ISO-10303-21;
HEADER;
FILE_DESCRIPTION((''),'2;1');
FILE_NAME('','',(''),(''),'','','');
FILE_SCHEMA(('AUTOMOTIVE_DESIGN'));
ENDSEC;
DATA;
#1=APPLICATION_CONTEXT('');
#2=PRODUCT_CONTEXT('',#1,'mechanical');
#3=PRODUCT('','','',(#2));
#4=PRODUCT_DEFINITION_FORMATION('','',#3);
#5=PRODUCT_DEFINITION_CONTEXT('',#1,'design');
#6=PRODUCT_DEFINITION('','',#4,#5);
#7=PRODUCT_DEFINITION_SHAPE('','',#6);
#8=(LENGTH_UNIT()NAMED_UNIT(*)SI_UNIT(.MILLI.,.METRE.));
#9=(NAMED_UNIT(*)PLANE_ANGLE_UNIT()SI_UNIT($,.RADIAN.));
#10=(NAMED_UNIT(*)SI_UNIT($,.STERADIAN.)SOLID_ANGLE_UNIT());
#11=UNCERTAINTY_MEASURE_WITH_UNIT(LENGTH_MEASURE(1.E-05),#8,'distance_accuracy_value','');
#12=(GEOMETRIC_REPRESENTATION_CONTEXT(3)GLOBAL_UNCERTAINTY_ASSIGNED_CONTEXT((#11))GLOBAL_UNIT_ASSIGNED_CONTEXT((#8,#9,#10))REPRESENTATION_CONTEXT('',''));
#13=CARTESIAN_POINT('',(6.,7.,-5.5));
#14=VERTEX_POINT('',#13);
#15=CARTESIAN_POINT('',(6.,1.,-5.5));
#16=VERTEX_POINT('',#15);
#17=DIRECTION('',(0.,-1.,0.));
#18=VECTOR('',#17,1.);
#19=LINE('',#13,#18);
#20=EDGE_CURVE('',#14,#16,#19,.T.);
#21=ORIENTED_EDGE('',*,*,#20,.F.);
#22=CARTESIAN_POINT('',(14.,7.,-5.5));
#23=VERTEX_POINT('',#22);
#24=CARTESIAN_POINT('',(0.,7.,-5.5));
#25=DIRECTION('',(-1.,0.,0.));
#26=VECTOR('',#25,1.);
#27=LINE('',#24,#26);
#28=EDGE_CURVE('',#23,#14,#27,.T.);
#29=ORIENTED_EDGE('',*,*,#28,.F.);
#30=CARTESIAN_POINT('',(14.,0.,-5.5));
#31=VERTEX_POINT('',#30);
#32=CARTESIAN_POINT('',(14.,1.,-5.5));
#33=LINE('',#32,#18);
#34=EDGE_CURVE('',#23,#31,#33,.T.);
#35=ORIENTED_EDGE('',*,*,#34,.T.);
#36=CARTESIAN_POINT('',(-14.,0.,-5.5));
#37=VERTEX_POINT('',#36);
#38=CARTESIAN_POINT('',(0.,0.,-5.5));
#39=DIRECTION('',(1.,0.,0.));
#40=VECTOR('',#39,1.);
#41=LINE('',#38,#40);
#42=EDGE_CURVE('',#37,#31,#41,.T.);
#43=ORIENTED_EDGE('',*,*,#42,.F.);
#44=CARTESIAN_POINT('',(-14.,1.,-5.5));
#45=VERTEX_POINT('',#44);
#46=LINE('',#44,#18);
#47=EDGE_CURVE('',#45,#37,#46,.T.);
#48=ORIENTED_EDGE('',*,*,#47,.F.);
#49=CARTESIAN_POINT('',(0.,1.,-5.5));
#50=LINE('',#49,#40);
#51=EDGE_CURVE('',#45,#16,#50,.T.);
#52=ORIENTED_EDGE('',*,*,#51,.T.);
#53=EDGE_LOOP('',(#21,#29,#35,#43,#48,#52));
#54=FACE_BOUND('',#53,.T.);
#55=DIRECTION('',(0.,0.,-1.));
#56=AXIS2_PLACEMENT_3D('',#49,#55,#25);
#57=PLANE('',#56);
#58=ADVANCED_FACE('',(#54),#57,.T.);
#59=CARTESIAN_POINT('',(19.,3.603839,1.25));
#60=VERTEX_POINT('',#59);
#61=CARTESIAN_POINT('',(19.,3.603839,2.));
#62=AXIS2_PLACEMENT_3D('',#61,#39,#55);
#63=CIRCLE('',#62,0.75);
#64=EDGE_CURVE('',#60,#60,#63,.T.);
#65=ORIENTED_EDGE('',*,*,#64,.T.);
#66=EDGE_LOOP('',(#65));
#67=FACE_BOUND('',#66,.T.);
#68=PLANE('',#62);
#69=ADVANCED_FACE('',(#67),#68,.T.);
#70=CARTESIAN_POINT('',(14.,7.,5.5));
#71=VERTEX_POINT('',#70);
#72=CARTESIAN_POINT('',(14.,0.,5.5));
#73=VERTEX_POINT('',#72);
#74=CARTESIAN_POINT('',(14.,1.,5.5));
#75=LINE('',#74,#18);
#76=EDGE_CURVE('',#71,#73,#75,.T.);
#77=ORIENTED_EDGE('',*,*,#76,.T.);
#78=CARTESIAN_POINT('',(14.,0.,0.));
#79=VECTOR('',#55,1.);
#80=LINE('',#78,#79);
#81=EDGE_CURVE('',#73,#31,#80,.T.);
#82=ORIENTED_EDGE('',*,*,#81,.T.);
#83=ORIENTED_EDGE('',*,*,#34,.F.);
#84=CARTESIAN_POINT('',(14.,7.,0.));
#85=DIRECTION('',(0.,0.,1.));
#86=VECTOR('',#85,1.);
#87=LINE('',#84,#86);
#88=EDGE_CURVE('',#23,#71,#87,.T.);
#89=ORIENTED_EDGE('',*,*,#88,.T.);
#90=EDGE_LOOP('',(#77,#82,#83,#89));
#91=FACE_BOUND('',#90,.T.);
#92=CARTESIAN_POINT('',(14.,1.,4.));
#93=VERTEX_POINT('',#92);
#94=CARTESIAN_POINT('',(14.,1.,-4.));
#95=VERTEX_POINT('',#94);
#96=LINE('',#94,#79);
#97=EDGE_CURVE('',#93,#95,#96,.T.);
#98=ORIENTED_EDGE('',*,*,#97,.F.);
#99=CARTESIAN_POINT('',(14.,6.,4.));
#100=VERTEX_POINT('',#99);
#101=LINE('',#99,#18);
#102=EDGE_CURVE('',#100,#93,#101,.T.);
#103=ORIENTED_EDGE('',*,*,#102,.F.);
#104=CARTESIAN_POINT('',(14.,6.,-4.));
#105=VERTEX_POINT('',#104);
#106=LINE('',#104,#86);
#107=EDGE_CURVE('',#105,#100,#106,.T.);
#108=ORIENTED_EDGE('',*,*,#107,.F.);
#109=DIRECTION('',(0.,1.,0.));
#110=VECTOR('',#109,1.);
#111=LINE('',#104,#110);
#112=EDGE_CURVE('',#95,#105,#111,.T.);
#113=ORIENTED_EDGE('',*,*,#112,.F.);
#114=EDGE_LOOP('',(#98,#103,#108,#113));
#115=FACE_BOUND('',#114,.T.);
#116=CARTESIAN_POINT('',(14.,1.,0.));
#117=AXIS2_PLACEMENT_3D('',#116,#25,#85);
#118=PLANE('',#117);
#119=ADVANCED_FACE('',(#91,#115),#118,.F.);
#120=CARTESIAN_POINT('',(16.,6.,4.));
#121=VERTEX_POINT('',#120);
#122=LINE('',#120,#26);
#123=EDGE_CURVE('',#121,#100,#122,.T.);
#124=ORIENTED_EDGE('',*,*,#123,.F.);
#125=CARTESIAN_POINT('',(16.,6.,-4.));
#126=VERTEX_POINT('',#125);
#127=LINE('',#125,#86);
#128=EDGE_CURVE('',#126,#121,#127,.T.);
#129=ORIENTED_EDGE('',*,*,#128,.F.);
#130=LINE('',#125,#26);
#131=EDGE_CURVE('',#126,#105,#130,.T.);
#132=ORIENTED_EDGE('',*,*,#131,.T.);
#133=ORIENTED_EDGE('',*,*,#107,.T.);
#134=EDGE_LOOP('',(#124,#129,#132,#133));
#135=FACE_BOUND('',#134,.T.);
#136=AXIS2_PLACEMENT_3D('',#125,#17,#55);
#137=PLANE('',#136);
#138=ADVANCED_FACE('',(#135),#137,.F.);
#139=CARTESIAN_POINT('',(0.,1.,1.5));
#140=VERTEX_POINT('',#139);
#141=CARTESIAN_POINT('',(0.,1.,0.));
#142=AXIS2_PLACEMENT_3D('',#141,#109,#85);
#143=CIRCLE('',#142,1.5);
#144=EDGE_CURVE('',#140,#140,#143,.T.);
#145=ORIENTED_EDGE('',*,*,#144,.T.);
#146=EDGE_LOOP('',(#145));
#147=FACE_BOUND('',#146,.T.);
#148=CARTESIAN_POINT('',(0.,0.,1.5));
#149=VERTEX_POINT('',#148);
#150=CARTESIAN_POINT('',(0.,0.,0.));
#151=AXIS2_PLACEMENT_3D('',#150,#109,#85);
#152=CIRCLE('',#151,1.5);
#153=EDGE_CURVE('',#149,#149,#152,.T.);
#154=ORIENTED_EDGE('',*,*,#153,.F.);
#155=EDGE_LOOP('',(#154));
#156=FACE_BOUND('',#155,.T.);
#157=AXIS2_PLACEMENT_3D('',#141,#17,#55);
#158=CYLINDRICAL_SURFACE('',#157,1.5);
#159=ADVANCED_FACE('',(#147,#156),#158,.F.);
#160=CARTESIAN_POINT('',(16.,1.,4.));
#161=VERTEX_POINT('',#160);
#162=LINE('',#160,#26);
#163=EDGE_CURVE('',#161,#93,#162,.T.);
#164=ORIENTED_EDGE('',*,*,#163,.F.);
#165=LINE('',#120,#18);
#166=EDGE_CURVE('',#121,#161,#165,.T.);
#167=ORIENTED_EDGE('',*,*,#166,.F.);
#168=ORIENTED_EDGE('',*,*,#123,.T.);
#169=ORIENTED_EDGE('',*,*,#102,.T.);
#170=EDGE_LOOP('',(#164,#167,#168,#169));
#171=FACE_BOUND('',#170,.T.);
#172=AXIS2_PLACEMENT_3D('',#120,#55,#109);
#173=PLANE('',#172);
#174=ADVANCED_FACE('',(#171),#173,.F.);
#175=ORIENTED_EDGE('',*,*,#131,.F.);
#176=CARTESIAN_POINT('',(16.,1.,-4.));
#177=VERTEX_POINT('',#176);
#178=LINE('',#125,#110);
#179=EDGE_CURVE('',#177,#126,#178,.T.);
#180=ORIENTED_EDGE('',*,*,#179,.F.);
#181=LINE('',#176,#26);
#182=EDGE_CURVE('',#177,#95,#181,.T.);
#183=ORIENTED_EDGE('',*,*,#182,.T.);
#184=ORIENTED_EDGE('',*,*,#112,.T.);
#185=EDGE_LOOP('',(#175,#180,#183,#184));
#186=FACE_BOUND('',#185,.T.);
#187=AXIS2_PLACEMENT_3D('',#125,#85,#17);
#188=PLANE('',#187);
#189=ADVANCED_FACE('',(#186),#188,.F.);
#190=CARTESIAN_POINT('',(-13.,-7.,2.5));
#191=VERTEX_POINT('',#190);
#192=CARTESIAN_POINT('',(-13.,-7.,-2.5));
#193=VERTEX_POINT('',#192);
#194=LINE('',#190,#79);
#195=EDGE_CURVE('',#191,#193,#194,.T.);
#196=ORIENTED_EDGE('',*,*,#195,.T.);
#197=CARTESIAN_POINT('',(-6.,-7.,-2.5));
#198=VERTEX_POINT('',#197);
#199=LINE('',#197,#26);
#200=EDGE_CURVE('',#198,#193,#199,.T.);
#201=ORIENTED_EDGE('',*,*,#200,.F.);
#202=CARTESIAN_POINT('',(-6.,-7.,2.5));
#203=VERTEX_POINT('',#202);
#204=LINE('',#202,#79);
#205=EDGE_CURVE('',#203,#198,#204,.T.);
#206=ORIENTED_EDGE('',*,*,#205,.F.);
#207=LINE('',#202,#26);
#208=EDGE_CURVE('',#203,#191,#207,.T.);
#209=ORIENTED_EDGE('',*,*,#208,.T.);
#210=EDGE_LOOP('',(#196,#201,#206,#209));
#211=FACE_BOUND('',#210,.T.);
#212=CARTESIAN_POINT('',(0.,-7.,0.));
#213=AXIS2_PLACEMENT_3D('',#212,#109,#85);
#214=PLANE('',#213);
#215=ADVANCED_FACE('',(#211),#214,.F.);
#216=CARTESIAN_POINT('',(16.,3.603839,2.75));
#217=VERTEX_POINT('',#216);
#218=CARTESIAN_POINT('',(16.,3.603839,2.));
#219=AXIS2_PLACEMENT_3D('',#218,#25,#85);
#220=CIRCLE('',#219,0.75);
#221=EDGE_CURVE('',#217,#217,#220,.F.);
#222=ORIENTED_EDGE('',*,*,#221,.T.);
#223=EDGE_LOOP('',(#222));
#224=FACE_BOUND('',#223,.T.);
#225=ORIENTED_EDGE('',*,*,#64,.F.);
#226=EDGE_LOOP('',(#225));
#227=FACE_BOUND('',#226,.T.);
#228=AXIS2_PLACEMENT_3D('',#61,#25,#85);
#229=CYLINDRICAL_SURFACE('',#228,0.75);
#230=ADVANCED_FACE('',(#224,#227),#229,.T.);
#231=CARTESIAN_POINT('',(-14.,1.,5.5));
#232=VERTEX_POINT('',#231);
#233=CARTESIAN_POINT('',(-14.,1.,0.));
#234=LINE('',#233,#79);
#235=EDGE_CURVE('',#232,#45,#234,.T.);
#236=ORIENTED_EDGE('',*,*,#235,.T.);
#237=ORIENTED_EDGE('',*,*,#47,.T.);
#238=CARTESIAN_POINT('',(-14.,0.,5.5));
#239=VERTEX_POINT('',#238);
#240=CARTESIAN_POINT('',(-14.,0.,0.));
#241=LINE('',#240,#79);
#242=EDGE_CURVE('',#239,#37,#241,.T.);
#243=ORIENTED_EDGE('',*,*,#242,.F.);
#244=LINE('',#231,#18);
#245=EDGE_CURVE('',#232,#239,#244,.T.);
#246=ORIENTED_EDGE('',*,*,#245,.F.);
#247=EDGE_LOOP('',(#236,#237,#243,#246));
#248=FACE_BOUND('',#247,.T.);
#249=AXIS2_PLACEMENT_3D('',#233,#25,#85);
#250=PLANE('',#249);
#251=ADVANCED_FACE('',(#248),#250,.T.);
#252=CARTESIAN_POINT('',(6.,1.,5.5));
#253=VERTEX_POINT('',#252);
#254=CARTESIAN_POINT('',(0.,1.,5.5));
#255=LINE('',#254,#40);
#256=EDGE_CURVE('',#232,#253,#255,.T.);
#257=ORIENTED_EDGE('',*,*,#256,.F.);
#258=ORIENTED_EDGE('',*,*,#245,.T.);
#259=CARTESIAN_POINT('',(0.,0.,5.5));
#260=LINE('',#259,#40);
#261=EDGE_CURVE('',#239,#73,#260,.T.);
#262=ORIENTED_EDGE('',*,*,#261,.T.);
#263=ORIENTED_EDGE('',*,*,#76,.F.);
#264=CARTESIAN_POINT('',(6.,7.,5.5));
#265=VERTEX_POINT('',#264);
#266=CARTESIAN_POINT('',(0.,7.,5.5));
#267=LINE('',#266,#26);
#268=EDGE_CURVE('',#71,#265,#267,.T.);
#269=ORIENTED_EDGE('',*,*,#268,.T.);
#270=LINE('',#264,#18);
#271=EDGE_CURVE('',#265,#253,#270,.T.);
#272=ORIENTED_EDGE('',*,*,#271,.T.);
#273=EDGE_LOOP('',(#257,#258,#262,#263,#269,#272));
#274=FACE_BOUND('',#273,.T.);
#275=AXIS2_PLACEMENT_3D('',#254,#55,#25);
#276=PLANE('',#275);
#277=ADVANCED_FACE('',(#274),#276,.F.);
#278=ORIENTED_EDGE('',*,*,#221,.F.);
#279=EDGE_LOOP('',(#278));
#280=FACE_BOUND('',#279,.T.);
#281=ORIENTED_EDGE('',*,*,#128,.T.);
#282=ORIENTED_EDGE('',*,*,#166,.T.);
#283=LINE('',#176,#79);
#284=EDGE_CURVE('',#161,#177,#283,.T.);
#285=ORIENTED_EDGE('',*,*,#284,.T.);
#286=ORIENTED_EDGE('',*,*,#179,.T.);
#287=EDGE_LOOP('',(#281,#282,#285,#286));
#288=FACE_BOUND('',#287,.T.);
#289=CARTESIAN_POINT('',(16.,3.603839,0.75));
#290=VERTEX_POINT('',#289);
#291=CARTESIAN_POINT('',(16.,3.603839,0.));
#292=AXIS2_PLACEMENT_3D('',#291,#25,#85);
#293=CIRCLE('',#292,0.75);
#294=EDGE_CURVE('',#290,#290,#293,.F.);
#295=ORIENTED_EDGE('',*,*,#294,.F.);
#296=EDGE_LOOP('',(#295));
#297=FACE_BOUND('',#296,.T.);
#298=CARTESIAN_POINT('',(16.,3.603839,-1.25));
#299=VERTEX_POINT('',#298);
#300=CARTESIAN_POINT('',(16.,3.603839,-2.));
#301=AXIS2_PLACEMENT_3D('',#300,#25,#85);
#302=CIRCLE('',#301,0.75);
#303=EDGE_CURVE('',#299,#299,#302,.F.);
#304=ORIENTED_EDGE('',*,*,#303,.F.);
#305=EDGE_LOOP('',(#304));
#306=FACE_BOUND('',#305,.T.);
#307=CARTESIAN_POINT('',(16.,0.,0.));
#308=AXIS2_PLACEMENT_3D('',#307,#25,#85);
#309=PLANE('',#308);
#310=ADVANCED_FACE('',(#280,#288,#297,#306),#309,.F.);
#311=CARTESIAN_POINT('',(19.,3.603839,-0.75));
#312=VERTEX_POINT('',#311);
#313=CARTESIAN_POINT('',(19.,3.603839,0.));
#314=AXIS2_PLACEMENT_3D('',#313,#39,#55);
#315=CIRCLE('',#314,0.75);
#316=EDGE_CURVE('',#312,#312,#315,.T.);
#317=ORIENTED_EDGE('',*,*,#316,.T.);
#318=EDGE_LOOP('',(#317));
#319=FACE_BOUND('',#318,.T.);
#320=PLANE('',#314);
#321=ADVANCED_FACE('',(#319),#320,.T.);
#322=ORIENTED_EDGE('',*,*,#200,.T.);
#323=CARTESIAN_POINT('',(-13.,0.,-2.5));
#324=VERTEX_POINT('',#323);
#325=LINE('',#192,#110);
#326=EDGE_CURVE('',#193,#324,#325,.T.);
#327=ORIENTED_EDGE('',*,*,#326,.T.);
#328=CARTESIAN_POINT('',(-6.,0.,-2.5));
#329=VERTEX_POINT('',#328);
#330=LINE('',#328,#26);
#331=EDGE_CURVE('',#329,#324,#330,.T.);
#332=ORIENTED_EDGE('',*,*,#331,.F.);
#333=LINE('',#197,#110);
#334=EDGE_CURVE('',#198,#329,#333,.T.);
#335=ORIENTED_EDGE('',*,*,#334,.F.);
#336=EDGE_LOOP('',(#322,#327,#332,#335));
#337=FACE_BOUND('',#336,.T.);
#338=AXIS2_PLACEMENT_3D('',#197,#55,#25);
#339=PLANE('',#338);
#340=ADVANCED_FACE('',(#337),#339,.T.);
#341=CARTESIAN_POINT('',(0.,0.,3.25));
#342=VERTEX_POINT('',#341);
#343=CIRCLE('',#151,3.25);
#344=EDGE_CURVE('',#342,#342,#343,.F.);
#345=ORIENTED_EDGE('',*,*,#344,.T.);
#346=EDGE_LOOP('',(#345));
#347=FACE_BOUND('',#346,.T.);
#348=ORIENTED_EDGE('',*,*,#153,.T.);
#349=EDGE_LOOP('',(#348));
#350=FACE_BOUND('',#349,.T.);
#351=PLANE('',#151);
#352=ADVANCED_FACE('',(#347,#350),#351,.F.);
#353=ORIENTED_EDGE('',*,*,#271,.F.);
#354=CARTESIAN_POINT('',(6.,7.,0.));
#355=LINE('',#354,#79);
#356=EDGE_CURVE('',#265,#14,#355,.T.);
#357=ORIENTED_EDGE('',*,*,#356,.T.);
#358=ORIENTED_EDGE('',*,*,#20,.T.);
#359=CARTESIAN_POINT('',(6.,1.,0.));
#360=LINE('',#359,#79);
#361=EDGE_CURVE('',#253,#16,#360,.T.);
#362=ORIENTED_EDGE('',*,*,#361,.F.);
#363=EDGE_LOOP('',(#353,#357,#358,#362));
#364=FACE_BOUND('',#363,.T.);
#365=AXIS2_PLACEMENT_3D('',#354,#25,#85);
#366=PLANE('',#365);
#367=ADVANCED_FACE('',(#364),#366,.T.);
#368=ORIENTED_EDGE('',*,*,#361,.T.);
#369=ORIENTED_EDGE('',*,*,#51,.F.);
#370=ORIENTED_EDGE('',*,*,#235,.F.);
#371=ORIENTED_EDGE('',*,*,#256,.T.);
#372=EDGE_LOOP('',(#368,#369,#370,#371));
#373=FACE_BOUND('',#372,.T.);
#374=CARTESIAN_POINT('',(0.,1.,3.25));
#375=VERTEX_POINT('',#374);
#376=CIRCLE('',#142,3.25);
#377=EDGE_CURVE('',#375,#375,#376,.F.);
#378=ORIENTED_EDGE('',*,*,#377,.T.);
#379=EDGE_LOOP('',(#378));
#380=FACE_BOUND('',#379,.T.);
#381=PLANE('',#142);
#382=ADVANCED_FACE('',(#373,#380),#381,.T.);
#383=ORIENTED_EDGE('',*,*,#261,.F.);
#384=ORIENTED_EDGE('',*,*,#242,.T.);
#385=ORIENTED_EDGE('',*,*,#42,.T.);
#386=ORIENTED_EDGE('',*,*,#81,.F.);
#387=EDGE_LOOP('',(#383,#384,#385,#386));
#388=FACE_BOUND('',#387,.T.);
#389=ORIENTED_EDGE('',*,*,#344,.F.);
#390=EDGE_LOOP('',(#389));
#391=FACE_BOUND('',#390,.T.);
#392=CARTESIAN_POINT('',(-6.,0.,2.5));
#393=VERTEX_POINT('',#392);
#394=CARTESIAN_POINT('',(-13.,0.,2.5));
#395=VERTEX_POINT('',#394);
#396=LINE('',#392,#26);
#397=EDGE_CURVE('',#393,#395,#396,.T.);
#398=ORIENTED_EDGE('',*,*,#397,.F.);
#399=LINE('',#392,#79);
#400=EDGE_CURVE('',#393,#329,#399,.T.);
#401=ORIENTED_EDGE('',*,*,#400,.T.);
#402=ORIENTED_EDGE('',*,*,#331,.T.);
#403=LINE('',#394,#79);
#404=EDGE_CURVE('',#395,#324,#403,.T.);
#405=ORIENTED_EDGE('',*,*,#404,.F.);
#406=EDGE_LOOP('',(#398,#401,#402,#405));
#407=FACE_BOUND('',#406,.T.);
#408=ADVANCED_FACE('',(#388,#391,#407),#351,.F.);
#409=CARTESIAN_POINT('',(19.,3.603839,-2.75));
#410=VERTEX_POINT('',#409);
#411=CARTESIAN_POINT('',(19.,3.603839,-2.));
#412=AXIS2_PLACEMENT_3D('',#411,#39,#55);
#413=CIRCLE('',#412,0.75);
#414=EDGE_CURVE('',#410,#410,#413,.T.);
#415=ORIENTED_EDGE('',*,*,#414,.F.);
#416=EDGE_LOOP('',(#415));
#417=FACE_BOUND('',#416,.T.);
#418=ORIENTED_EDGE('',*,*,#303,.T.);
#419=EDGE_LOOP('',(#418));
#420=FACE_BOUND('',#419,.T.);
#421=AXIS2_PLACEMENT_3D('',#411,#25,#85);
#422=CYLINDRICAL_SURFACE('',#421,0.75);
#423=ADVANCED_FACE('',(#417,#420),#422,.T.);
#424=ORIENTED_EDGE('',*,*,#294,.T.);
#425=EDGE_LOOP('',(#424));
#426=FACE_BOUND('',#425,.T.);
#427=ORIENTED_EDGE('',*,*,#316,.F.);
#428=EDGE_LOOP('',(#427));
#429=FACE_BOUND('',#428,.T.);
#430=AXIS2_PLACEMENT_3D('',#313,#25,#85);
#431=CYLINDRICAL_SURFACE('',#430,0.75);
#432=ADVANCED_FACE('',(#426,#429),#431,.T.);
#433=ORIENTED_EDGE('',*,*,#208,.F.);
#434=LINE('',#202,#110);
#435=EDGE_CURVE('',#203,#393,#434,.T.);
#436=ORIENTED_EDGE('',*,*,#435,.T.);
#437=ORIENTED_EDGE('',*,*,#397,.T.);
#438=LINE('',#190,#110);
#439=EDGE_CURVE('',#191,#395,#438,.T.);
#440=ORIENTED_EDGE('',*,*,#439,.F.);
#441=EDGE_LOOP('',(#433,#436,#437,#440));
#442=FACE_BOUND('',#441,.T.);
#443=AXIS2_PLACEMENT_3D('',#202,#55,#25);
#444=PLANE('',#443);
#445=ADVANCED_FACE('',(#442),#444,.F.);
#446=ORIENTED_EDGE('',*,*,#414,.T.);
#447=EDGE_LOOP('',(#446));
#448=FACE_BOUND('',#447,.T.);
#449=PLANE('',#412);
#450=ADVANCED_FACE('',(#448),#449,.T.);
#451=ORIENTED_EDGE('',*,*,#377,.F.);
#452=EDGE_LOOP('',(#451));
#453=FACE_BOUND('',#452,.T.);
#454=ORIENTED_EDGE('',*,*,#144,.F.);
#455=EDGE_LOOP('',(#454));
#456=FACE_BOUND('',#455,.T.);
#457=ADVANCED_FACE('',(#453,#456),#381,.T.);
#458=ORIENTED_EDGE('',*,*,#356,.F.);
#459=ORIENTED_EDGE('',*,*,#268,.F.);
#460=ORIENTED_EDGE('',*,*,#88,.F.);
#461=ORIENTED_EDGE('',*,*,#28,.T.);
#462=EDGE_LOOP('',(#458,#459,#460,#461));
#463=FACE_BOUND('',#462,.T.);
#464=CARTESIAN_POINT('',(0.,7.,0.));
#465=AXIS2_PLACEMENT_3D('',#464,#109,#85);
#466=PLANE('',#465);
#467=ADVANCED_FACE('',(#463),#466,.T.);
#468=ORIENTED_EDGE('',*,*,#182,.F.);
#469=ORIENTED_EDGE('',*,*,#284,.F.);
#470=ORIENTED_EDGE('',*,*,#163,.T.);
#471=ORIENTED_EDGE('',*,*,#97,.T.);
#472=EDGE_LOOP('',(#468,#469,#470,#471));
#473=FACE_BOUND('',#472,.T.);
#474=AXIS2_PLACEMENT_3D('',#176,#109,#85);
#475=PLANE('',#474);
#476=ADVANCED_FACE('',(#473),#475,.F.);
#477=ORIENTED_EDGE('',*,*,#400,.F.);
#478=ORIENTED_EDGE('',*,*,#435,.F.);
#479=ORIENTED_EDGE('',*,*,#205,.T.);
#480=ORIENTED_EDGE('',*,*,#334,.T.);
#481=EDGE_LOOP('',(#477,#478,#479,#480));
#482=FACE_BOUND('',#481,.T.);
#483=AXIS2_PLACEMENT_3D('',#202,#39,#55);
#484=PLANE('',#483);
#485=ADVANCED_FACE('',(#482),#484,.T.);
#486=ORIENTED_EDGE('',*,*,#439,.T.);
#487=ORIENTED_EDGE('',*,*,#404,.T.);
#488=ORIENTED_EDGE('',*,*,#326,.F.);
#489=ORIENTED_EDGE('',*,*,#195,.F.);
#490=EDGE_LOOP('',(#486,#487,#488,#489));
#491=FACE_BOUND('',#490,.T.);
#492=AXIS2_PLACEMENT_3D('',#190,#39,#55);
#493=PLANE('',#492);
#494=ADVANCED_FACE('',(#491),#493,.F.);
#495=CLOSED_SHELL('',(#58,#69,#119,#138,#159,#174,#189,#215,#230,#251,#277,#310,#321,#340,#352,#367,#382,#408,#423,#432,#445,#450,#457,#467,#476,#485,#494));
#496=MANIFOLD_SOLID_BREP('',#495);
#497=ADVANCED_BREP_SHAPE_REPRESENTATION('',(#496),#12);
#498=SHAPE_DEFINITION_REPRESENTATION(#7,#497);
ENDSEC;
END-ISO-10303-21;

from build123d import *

# Parameters (mm, degrees)
SKETCH1_W           = 20
SKETCH1_H           = 11
SKETCH1_W_2         = 7
SKETCH1_H_2         = 5
SKETCH1_R           = 3.25
SKETCH1_R_2         = 1.5
SKETCH1_W_3         = 8
BOSS_EXTRUDE1_DEPTH = 1
SKETCH1_3_W         = 7
SKETCH1_3_H         = 5
BOSS_EXTRUDE2_DEPTH = 7
BOSS_EXTRUDE3_START = 1
SKETCH1_4_W         = 8
SKETCH1_4_H         = 11
BOSS_EXTRUDE3_DEPTH = 6
SKETCH3_W           = 8
SKETCH3_H           = 5
BOSS_EXTRUDE4_DEPTH = 2
SKETCH4_R           = 0.75
BOSS_EXTRUDE6_DEPTH = 3


with BuildPart() as part:
    # Sketch1 → Boss-Extrude1 (new body)
    # profile 1 of 4: a face of its own
    with BuildSketch(Plane(origin=(0, 0, 0), x_dir=(1, 0, 0), z_dir=(0, 1, 0))):
        with Locations((-4, 0)):
            Rectangle(SKETCH1_W, SKETCH1_H)
        with Locations((-9.5, 0)):
            Rectangle(SKETCH1_W_2, SKETCH1_H_2, mode=Mode.SUBTRACT)
        Circle(SKETCH1_R, mode=Mode.SUBTRACT)
    # profile 2 of 4: a face of its own
    with BuildSketch(Plane(origin=(0, 0, 0), x_dir=(1, 0, 0), z_dir=(0, 1, 0))):
        with Locations((-9.5, 0)):
            Rectangle(SKETCH1_W_2, SKETCH1_H_2)
    # profile 3 of 4: a face of its own
    with BuildSketch(Plane(origin=(0, 0, 0), x_dir=(1, 0, 0), z_dir=(0, 1, 0))):
        Circle(SKETCH1_R)
        with Locations(Location((0, 0, 0), (0, 0, 270))):
            Circle(SKETCH1_R_2, mode=Mode.SUBTRACT)
    # profile 4 of 4: a face of its own
    with BuildSketch(Plane(origin=(0, 0, 0), x_dir=(1, 0, 0), z_dir=(0, 1, 0))):
        with Locations((10, 0)):
            Rectangle(SKETCH1_W_3, SKETCH1_H)
    extrude(amount=BOSS_EXTRUDE1_DEPTH)

    # Sketch1<3> → Boss-Extrude2 (add)
    with BuildSketch(Plane(origin=(0, 0, 0), x_dir=(1, 0, 0), z_dir=(0, 1, 0))):
        with Locations((-9.5, 0)):
            Rectangle(SKETCH1_3_W, SKETCH1_3_H)
    extrude(amount=-BOSS_EXTRUDE2_DEPTH)

    # Sketch1<4> → Boss-Extrude3 (add)
    with BuildSketch(Plane(origin=(0, 0, 0), x_dir=(1, 0, 0), z_dir=(0, 1, 0)).offset(BOSS_EXTRUDE3_START)):
        with Locations((10, 0)):
            Rectangle(SKETCH1_4_W, SKETCH1_4_H)
    extrude(amount=BOSS_EXTRUDE3_DEPTH)

    # Sketch3 → Boss-Extrude4 (add)
    with BuildSketch(Plane(origin=(14, 0, 0), x_dir=(0, 0, -1), z_dir=(1, 0, 0))):
        with Locations((0, 3.5)):
            Rectangle(SKETCH3_W, SKETCH3_H)
    extrude(amount=BOSS_EXTRUDE4_DEPTH)

    # Sketch4 → Boss-Extrude6 (add)
    with BuildSketch(Plane(origin=(16, 0, 0), x_dir=(0, 0, -1), z_dir=(1, 0, 0))):
        with Locations(Location((-2, 3.603838689, 0), (0, 0, 180))):
            Circle(SKETCH4_R)
        with Locations(Location((0, 3.603838689, 0), (0, 0, 180))):
            Circle(SKETCH4_R)
        with Locations(Location((2, 3.603838689, 0), (0, 0, 180))):
            Circle(SKETCH4_R)
    extrude(amount=BOSS_EXTRUDE6_DEPTH)


solid = part.part
